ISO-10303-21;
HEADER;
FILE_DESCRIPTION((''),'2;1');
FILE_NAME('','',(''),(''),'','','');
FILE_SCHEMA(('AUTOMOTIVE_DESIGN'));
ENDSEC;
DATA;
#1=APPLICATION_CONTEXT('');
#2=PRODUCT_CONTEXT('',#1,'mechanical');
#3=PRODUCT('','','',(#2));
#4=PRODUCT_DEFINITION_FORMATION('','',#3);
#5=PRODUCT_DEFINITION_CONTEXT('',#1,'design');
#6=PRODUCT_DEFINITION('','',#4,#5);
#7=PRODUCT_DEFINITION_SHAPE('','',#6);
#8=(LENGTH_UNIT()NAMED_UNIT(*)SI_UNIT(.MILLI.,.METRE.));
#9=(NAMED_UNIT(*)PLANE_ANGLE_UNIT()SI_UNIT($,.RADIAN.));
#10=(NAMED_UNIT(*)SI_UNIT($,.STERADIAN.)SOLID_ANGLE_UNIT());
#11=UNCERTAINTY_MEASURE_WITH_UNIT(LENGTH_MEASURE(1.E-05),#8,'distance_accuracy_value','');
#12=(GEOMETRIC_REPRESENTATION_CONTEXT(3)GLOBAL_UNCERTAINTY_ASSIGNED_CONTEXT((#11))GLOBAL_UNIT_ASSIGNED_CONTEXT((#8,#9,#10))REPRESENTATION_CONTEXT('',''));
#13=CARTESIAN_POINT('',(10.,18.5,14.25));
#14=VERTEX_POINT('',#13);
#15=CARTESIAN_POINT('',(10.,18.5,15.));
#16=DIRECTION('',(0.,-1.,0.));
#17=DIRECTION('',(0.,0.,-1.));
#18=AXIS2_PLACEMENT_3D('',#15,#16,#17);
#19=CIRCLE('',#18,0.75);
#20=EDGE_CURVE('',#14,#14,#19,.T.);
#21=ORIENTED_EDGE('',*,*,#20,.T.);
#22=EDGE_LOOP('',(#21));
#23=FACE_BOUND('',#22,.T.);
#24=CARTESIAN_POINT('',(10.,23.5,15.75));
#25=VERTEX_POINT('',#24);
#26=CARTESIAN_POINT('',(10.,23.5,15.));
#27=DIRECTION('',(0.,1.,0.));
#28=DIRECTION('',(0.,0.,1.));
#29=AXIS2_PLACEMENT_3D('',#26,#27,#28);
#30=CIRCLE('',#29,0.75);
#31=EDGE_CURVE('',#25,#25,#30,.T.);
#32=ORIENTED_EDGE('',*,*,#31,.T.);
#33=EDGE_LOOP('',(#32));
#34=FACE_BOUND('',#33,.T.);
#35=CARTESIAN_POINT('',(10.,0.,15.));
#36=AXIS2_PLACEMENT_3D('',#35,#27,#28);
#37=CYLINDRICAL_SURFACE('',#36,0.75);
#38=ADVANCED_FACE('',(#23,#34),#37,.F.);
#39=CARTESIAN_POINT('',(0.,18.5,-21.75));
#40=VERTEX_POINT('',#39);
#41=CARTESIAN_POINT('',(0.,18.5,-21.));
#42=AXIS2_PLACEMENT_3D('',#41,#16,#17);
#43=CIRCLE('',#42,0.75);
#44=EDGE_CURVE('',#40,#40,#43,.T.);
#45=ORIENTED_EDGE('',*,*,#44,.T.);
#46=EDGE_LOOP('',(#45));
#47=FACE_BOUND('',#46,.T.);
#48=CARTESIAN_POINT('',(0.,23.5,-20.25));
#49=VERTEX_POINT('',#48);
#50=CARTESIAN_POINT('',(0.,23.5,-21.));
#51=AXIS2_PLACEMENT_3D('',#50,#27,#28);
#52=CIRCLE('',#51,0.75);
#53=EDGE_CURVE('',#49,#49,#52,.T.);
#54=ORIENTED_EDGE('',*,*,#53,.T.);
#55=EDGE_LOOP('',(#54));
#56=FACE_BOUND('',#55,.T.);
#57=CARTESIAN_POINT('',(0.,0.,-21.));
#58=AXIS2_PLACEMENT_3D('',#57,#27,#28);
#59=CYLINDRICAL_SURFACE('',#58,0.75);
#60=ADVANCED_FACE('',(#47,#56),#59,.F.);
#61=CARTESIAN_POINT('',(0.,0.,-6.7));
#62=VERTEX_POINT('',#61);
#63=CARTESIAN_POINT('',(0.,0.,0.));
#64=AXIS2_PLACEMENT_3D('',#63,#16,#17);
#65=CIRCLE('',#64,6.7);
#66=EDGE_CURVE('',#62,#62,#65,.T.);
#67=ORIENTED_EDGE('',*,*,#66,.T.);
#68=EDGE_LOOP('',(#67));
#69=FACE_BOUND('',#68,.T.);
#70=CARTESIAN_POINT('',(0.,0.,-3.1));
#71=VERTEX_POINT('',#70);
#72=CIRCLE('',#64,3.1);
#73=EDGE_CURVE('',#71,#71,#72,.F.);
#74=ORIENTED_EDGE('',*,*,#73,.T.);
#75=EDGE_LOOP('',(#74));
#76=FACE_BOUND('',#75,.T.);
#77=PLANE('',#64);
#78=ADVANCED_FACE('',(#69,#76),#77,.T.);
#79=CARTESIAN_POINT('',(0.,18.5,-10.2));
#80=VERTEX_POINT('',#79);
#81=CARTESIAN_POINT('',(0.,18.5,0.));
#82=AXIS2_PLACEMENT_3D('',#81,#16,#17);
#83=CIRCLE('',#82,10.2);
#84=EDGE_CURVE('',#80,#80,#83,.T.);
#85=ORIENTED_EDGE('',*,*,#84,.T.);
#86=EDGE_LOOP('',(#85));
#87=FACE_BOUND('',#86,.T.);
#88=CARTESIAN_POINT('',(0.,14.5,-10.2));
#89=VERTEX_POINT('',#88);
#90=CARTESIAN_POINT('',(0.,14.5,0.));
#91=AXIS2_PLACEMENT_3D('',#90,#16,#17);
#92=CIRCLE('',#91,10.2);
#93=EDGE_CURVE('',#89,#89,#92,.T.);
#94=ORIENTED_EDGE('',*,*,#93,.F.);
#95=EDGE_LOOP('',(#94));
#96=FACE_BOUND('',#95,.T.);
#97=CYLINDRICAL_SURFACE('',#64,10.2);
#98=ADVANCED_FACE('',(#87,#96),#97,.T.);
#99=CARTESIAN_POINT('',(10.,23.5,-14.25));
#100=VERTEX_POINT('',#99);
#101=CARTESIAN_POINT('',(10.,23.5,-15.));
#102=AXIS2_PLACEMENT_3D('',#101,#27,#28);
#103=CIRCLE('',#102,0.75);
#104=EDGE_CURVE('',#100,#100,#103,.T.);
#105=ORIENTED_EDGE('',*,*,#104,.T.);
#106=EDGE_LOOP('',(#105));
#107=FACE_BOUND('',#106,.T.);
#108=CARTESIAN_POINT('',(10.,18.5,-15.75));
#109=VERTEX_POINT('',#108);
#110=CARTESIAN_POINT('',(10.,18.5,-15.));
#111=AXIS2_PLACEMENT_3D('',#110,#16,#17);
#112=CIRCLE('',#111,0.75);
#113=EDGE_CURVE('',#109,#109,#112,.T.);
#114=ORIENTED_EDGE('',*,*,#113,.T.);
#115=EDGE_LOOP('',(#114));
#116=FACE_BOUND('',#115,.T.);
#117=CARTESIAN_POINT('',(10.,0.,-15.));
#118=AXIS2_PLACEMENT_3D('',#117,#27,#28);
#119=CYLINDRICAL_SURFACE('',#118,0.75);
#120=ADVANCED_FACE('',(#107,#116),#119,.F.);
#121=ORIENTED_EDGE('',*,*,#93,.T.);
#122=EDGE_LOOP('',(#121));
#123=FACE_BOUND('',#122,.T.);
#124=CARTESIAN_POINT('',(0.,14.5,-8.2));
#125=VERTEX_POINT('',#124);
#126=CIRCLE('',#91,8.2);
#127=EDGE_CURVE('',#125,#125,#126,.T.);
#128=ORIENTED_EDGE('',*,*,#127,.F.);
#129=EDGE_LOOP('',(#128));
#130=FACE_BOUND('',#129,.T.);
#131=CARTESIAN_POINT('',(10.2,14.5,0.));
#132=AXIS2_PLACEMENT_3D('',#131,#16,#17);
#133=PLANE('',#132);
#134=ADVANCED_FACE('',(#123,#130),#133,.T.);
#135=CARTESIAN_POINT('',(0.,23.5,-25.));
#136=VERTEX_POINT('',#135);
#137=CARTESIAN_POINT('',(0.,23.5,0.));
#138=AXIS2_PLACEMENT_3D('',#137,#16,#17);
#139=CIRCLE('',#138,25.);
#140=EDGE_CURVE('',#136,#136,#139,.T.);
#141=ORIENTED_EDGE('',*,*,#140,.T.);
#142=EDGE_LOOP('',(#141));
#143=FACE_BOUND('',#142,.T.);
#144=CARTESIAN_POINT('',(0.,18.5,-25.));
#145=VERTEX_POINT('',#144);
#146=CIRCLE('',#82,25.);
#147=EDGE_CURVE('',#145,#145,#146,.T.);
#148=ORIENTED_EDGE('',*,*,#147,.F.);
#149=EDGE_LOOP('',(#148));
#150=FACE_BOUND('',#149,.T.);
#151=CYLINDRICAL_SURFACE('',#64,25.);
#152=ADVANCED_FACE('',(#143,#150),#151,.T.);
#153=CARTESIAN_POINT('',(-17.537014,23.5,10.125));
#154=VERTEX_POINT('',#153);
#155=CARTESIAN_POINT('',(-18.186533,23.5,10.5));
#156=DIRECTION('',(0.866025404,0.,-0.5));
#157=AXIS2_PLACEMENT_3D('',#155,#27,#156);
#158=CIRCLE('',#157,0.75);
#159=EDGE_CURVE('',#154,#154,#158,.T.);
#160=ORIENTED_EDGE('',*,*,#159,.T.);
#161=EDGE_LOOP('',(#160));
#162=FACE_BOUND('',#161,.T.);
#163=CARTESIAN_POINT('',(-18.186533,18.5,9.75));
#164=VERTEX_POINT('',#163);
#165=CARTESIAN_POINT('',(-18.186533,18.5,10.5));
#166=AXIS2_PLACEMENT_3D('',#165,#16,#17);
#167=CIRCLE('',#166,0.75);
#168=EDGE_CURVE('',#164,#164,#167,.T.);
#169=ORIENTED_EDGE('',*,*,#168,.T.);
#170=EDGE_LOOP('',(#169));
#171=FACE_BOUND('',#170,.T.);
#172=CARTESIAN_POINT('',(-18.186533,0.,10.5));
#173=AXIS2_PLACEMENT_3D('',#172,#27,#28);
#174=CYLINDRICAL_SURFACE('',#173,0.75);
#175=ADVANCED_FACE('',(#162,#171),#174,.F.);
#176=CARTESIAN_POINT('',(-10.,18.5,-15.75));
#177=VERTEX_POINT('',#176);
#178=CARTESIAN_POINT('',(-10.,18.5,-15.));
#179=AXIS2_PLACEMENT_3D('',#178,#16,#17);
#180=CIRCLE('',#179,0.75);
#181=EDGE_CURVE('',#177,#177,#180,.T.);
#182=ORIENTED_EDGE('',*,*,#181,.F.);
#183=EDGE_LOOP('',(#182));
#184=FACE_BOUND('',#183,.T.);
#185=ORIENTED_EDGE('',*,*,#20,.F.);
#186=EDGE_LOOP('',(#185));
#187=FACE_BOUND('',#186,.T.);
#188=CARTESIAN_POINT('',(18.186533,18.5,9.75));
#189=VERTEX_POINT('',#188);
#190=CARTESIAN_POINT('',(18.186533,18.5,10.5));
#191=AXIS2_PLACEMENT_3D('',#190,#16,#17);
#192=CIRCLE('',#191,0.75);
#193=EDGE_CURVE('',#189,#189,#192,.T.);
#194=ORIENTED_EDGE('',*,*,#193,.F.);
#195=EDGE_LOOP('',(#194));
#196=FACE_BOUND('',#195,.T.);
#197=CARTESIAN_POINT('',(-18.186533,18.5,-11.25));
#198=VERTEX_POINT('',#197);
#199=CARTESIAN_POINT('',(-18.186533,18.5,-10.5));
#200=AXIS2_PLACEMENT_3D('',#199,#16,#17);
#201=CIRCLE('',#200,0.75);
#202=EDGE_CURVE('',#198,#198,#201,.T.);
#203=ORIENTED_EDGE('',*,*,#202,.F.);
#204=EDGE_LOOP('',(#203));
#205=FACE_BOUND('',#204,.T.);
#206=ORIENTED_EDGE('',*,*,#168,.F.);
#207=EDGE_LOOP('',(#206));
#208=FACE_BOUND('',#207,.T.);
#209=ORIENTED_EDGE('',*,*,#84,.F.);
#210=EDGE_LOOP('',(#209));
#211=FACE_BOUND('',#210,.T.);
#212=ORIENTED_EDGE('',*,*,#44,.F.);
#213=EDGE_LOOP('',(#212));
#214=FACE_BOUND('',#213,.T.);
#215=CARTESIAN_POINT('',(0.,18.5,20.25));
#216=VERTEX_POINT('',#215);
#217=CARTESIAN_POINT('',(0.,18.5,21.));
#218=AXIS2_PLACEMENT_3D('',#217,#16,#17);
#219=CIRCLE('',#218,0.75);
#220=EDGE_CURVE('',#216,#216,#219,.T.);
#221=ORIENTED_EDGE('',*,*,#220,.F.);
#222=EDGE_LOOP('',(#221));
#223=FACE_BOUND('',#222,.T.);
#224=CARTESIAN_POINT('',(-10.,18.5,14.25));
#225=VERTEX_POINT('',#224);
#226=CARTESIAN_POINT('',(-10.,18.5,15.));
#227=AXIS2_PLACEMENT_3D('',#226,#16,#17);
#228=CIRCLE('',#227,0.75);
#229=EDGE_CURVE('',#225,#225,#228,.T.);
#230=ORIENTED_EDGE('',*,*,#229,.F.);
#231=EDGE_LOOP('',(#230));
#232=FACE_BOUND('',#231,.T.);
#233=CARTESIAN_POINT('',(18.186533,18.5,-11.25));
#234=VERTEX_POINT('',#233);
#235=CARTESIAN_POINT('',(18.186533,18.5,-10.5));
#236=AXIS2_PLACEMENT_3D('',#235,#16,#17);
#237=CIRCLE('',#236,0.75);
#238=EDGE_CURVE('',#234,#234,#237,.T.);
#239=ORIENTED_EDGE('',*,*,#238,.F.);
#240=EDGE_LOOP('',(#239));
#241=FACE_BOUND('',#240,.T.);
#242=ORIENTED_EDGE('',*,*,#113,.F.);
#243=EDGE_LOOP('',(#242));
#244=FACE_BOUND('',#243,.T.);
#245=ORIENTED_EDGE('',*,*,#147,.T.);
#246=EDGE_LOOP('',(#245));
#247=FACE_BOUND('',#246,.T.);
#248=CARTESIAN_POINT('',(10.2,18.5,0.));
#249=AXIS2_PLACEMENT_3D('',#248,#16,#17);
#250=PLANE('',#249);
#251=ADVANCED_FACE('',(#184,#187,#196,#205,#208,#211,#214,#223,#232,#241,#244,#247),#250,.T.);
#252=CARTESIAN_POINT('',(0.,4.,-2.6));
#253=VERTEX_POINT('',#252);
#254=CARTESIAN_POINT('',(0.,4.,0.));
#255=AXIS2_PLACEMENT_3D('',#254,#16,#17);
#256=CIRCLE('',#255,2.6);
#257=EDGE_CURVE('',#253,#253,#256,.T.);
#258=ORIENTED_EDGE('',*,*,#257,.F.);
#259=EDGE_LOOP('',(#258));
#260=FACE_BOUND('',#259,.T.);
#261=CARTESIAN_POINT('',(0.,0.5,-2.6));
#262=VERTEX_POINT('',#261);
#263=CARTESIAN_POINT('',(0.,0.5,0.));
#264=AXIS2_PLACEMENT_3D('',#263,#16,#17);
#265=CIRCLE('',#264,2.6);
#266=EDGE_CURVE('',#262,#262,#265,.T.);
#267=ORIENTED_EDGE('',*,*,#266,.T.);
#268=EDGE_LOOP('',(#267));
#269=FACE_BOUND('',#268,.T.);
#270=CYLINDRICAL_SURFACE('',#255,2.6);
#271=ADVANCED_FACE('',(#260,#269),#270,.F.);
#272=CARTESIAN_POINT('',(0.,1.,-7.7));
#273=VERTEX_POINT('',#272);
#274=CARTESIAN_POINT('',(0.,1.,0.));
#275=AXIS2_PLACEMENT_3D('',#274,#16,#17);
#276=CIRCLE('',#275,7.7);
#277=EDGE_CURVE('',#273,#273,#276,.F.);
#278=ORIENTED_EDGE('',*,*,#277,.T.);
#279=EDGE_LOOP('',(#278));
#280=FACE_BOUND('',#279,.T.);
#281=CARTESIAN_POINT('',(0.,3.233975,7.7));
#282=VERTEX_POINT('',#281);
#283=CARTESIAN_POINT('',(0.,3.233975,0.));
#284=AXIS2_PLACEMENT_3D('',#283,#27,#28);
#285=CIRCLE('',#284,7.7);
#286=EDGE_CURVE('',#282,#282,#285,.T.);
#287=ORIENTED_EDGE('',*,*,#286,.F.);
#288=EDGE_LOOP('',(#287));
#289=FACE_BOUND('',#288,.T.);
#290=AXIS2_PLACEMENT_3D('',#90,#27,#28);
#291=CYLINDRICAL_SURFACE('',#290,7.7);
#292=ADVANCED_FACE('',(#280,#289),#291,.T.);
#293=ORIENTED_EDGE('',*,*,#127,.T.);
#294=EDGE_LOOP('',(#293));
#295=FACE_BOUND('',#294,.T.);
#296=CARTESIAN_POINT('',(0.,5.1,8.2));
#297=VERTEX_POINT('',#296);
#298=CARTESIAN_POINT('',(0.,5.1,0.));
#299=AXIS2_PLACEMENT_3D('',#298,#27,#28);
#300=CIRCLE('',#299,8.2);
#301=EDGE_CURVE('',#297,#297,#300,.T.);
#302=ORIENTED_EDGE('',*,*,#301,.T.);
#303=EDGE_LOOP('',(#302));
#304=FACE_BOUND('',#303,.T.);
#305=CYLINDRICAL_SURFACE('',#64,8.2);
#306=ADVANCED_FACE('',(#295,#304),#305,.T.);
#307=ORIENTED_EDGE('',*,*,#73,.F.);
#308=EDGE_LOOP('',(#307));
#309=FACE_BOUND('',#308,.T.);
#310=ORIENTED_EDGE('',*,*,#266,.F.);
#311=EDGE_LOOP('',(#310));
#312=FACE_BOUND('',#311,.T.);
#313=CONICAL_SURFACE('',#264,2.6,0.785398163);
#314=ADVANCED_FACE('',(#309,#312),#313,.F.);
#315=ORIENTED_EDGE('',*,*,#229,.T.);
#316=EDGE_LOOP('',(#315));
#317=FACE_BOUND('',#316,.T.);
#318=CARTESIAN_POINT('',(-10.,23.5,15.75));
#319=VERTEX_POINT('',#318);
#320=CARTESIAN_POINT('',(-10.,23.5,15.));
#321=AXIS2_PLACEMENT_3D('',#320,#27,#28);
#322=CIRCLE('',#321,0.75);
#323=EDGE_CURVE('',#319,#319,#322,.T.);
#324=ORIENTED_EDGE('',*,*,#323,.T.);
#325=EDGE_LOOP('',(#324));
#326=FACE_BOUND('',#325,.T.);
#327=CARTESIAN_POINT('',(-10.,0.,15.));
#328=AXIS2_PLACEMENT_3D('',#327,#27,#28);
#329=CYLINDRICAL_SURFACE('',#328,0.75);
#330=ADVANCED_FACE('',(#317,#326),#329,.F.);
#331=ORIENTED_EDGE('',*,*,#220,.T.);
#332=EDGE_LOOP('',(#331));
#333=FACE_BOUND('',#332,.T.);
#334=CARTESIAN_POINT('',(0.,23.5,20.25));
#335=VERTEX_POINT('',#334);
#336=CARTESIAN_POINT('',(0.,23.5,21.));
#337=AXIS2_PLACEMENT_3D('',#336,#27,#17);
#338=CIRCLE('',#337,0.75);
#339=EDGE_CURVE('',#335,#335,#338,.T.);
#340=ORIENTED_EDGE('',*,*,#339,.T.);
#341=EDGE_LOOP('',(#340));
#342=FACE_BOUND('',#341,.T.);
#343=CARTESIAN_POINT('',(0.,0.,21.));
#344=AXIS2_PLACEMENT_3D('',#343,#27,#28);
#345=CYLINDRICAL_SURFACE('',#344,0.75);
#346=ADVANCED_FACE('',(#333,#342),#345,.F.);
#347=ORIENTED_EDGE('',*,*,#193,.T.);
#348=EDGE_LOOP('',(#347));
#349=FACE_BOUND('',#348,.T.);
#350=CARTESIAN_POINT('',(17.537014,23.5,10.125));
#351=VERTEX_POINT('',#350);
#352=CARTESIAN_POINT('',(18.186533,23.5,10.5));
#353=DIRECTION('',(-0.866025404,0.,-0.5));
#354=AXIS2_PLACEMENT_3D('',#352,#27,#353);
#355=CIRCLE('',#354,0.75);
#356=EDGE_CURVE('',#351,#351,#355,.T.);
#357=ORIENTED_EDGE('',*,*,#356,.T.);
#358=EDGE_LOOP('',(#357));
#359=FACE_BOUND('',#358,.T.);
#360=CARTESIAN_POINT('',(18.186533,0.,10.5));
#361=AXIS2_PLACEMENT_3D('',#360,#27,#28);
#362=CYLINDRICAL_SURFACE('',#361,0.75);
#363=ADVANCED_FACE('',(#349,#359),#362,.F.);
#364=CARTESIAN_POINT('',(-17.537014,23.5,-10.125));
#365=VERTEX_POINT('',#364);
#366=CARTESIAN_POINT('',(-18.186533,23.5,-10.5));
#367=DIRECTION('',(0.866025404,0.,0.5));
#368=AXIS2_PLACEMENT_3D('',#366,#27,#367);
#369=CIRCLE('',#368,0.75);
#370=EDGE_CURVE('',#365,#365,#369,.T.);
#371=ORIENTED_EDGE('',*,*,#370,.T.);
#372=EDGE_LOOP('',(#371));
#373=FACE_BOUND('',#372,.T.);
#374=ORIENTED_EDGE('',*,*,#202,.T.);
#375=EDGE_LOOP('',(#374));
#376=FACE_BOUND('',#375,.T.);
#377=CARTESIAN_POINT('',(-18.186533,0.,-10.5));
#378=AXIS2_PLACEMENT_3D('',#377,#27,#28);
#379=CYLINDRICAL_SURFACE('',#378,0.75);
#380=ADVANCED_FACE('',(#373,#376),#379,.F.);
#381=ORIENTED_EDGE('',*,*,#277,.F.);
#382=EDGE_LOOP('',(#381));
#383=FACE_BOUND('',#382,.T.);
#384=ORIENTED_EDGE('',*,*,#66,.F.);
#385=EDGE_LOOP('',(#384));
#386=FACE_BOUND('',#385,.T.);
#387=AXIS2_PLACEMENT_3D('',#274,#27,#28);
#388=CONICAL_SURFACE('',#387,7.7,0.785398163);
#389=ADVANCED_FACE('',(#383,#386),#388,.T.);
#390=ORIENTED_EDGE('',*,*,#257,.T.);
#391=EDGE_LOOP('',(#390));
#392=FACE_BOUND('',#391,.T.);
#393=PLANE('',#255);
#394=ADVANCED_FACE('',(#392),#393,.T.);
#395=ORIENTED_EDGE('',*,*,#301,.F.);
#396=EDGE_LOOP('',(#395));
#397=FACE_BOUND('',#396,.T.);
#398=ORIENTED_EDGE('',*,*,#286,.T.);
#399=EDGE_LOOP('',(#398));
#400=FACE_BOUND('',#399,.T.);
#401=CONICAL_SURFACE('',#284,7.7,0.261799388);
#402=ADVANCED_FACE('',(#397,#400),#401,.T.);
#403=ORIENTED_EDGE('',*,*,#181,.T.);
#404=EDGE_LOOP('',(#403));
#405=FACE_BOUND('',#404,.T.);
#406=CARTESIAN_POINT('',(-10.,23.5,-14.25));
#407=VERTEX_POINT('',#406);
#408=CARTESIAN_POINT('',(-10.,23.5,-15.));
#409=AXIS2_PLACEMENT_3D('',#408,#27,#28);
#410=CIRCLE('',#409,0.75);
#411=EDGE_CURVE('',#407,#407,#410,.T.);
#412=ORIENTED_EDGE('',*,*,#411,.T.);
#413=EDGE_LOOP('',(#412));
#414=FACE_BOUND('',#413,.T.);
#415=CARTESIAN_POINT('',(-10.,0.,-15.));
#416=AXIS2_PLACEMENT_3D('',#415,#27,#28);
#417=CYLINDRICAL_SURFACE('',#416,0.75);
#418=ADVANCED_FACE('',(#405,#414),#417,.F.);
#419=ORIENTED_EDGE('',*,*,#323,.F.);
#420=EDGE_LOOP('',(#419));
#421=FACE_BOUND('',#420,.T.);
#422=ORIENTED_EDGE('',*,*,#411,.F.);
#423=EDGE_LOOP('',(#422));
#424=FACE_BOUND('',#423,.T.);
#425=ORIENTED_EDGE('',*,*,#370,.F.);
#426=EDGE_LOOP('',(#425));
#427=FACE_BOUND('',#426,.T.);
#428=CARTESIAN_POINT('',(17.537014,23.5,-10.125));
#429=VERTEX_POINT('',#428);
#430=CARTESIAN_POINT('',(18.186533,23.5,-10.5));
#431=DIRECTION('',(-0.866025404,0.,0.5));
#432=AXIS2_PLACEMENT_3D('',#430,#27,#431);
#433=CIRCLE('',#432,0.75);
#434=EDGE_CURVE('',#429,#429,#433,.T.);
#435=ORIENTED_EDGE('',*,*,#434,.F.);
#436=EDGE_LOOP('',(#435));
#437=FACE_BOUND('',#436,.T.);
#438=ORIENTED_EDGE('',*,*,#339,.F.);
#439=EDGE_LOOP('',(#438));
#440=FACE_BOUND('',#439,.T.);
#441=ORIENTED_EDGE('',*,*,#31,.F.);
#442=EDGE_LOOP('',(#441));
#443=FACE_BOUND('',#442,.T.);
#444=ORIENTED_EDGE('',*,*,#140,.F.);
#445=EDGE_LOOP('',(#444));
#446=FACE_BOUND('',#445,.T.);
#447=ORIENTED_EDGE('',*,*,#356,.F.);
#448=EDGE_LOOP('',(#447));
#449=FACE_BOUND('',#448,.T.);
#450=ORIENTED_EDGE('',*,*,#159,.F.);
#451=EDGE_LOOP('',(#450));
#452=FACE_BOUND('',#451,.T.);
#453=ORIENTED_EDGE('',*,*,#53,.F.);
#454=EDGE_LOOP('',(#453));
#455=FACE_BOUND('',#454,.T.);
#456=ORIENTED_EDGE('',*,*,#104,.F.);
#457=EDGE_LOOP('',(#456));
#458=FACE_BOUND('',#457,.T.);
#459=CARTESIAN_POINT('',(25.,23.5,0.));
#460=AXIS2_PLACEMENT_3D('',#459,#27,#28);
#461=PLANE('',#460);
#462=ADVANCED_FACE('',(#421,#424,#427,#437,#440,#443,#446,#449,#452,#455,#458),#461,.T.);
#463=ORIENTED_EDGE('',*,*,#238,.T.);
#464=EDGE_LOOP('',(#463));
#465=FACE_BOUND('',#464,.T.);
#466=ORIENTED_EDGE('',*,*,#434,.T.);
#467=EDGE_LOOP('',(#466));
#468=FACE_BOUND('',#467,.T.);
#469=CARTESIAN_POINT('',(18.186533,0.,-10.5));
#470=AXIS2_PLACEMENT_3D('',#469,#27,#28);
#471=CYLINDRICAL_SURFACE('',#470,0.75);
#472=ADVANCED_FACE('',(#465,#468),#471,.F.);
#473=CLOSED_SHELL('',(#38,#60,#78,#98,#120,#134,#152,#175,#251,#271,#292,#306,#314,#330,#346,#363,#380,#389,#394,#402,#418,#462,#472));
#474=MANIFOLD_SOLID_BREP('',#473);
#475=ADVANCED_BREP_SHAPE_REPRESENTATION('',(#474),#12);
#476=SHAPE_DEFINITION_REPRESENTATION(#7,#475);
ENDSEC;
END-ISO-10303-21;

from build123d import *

# Parameters (mm, degrees)
SKETCH5_R          = 0.75
CUT_EXTRUDE1_DEPTH = 43.452915094
CIRPATTERN2_COUNT  = 6
SKETCH6_R          = 0.75
CUT_EXTRUDE2_DEPTH = 43.452915094
SKETCH7_R          = 2.6
CUT_EXTRUDE3_DEPTH = 4
CHAMFER1_SIZE      = 0.5
CHAMFER2_SIZE      = 1


with BuildPart() as part:
    # Sketch1 → Revolve1 (revolve)
    with BuildSketch(Plane.XY, mode=Mode.PRIVATE) as revolve1_sk:
        Polygon((10.2, 18.5), (10.2, 14.5), (8.2, 14.5), (8.2, 0), (0, 0), (0, 23.5), (25, 23.5), (25, 18.5), align=None)
    revolve(revolve1_sk.sketch.rotate(Axis((0, 0, 0), (0, 1, 0)), 90), axis=Axis((0, 0, 0), (0, 1, 0)))

    # Sketch5 → Cut-Extrude1 (cut, through all)
    with BuildSketch(Plane(origin=(0, 23.5, 0), x_dir=(1, 0, 0), z_dir=(0, 1, 0))):
        with Locations(Location((0, 21, 0), (0, 0, 270))):
            Circle(SKETCH5_R)
    cut_extrude1 = extrude(amount=-CUT_EXTRUDE1_DEPTH, mode=Mode.SUBTRACT)

    # CirPattern2: Cut-Extrude1 ×6 about axis
    cirpattern2_axis = Axis((0, 0, 0), (0, 1, 0))
    for i in range(1, CIRPATTERN2_COUNT):
        add(cut_extrude1.rotate(cirpattern2_axis, i * 360 / CIRPATTERN2_COUNT), mode=Mode.SUBTRACT)

    # Sketch6 → Cut-Extrude2 (cut, through all)
    with BuildSketch(Plane(origin=(0, 23.5, 0), x_dir=(1, 0, 0), z_dir=(0, 1, 0))):
        with Locations(Location((-10, 15, 0), (0, 0, 270))):
            Circle(SKETCH6_R)
        with Locations(Location((10, 15, 0), (0, 0, 270))):
            Circle(SKETCH6_R)
        with Locations(Location((-10, -15, 0), (0, 0, 270))):
            Circle(SKETCH6_R)
        with Locations(Location((10, -15, 0), (0, 0, 270))):
            Circle(SKETCH6_R)
    extrude(amount=-CUT_EXTRUDE2_DEPTH, mode=Mode.SUBTRACT)

    # Sketch7 → Cut-Extrude3 (cut)
    with BuildSketch(Plane.XZ):
        with Locations(Location((0, 0, 0), (0, 0, 270))):
            Circle(SKETCH7_R)
    extrude(amount=-CUT_EXTRUDE3_DEPTH, mode=Mode.SUBTRACT)

    # Sketch8 → Cut-Revolve1 (revolve, cut)
    with BuildSketch(Plane.XY, mode=Mode.PRIVATE) as cut_revolve1_sk:
        Polygon((-8.2, 5.1), (-7.7, 3.233974596), (-7.7, 0), (-8.2, 0), align=None)
    revolve(cut_revolve1_sk.sketch.rotate(Axis((0, 14.5, 0), (0, -1, 0)), 270), axis=Axis((0, 14.5, 0), (0, -1, 0)), mode=Mode.SUBTRACT)

    # Chamfer1
    chamfer1_edges = [part.edges().sort_by_distance(p)[0] for p in [
        (0, 0, 2.6),
    ]]
    chamfer(chamfer1_edges, length=CHAMFER1_SIZE)

    # Chamfer2
    chamfer2_edges = [part.edges().sort_by_distance(p)[0] for p in [
        (0, 0, -7.7),
    ]]
    chamfer(chamfer2_edges, length=CHAMFER2_SIZE)


solid = part.part
